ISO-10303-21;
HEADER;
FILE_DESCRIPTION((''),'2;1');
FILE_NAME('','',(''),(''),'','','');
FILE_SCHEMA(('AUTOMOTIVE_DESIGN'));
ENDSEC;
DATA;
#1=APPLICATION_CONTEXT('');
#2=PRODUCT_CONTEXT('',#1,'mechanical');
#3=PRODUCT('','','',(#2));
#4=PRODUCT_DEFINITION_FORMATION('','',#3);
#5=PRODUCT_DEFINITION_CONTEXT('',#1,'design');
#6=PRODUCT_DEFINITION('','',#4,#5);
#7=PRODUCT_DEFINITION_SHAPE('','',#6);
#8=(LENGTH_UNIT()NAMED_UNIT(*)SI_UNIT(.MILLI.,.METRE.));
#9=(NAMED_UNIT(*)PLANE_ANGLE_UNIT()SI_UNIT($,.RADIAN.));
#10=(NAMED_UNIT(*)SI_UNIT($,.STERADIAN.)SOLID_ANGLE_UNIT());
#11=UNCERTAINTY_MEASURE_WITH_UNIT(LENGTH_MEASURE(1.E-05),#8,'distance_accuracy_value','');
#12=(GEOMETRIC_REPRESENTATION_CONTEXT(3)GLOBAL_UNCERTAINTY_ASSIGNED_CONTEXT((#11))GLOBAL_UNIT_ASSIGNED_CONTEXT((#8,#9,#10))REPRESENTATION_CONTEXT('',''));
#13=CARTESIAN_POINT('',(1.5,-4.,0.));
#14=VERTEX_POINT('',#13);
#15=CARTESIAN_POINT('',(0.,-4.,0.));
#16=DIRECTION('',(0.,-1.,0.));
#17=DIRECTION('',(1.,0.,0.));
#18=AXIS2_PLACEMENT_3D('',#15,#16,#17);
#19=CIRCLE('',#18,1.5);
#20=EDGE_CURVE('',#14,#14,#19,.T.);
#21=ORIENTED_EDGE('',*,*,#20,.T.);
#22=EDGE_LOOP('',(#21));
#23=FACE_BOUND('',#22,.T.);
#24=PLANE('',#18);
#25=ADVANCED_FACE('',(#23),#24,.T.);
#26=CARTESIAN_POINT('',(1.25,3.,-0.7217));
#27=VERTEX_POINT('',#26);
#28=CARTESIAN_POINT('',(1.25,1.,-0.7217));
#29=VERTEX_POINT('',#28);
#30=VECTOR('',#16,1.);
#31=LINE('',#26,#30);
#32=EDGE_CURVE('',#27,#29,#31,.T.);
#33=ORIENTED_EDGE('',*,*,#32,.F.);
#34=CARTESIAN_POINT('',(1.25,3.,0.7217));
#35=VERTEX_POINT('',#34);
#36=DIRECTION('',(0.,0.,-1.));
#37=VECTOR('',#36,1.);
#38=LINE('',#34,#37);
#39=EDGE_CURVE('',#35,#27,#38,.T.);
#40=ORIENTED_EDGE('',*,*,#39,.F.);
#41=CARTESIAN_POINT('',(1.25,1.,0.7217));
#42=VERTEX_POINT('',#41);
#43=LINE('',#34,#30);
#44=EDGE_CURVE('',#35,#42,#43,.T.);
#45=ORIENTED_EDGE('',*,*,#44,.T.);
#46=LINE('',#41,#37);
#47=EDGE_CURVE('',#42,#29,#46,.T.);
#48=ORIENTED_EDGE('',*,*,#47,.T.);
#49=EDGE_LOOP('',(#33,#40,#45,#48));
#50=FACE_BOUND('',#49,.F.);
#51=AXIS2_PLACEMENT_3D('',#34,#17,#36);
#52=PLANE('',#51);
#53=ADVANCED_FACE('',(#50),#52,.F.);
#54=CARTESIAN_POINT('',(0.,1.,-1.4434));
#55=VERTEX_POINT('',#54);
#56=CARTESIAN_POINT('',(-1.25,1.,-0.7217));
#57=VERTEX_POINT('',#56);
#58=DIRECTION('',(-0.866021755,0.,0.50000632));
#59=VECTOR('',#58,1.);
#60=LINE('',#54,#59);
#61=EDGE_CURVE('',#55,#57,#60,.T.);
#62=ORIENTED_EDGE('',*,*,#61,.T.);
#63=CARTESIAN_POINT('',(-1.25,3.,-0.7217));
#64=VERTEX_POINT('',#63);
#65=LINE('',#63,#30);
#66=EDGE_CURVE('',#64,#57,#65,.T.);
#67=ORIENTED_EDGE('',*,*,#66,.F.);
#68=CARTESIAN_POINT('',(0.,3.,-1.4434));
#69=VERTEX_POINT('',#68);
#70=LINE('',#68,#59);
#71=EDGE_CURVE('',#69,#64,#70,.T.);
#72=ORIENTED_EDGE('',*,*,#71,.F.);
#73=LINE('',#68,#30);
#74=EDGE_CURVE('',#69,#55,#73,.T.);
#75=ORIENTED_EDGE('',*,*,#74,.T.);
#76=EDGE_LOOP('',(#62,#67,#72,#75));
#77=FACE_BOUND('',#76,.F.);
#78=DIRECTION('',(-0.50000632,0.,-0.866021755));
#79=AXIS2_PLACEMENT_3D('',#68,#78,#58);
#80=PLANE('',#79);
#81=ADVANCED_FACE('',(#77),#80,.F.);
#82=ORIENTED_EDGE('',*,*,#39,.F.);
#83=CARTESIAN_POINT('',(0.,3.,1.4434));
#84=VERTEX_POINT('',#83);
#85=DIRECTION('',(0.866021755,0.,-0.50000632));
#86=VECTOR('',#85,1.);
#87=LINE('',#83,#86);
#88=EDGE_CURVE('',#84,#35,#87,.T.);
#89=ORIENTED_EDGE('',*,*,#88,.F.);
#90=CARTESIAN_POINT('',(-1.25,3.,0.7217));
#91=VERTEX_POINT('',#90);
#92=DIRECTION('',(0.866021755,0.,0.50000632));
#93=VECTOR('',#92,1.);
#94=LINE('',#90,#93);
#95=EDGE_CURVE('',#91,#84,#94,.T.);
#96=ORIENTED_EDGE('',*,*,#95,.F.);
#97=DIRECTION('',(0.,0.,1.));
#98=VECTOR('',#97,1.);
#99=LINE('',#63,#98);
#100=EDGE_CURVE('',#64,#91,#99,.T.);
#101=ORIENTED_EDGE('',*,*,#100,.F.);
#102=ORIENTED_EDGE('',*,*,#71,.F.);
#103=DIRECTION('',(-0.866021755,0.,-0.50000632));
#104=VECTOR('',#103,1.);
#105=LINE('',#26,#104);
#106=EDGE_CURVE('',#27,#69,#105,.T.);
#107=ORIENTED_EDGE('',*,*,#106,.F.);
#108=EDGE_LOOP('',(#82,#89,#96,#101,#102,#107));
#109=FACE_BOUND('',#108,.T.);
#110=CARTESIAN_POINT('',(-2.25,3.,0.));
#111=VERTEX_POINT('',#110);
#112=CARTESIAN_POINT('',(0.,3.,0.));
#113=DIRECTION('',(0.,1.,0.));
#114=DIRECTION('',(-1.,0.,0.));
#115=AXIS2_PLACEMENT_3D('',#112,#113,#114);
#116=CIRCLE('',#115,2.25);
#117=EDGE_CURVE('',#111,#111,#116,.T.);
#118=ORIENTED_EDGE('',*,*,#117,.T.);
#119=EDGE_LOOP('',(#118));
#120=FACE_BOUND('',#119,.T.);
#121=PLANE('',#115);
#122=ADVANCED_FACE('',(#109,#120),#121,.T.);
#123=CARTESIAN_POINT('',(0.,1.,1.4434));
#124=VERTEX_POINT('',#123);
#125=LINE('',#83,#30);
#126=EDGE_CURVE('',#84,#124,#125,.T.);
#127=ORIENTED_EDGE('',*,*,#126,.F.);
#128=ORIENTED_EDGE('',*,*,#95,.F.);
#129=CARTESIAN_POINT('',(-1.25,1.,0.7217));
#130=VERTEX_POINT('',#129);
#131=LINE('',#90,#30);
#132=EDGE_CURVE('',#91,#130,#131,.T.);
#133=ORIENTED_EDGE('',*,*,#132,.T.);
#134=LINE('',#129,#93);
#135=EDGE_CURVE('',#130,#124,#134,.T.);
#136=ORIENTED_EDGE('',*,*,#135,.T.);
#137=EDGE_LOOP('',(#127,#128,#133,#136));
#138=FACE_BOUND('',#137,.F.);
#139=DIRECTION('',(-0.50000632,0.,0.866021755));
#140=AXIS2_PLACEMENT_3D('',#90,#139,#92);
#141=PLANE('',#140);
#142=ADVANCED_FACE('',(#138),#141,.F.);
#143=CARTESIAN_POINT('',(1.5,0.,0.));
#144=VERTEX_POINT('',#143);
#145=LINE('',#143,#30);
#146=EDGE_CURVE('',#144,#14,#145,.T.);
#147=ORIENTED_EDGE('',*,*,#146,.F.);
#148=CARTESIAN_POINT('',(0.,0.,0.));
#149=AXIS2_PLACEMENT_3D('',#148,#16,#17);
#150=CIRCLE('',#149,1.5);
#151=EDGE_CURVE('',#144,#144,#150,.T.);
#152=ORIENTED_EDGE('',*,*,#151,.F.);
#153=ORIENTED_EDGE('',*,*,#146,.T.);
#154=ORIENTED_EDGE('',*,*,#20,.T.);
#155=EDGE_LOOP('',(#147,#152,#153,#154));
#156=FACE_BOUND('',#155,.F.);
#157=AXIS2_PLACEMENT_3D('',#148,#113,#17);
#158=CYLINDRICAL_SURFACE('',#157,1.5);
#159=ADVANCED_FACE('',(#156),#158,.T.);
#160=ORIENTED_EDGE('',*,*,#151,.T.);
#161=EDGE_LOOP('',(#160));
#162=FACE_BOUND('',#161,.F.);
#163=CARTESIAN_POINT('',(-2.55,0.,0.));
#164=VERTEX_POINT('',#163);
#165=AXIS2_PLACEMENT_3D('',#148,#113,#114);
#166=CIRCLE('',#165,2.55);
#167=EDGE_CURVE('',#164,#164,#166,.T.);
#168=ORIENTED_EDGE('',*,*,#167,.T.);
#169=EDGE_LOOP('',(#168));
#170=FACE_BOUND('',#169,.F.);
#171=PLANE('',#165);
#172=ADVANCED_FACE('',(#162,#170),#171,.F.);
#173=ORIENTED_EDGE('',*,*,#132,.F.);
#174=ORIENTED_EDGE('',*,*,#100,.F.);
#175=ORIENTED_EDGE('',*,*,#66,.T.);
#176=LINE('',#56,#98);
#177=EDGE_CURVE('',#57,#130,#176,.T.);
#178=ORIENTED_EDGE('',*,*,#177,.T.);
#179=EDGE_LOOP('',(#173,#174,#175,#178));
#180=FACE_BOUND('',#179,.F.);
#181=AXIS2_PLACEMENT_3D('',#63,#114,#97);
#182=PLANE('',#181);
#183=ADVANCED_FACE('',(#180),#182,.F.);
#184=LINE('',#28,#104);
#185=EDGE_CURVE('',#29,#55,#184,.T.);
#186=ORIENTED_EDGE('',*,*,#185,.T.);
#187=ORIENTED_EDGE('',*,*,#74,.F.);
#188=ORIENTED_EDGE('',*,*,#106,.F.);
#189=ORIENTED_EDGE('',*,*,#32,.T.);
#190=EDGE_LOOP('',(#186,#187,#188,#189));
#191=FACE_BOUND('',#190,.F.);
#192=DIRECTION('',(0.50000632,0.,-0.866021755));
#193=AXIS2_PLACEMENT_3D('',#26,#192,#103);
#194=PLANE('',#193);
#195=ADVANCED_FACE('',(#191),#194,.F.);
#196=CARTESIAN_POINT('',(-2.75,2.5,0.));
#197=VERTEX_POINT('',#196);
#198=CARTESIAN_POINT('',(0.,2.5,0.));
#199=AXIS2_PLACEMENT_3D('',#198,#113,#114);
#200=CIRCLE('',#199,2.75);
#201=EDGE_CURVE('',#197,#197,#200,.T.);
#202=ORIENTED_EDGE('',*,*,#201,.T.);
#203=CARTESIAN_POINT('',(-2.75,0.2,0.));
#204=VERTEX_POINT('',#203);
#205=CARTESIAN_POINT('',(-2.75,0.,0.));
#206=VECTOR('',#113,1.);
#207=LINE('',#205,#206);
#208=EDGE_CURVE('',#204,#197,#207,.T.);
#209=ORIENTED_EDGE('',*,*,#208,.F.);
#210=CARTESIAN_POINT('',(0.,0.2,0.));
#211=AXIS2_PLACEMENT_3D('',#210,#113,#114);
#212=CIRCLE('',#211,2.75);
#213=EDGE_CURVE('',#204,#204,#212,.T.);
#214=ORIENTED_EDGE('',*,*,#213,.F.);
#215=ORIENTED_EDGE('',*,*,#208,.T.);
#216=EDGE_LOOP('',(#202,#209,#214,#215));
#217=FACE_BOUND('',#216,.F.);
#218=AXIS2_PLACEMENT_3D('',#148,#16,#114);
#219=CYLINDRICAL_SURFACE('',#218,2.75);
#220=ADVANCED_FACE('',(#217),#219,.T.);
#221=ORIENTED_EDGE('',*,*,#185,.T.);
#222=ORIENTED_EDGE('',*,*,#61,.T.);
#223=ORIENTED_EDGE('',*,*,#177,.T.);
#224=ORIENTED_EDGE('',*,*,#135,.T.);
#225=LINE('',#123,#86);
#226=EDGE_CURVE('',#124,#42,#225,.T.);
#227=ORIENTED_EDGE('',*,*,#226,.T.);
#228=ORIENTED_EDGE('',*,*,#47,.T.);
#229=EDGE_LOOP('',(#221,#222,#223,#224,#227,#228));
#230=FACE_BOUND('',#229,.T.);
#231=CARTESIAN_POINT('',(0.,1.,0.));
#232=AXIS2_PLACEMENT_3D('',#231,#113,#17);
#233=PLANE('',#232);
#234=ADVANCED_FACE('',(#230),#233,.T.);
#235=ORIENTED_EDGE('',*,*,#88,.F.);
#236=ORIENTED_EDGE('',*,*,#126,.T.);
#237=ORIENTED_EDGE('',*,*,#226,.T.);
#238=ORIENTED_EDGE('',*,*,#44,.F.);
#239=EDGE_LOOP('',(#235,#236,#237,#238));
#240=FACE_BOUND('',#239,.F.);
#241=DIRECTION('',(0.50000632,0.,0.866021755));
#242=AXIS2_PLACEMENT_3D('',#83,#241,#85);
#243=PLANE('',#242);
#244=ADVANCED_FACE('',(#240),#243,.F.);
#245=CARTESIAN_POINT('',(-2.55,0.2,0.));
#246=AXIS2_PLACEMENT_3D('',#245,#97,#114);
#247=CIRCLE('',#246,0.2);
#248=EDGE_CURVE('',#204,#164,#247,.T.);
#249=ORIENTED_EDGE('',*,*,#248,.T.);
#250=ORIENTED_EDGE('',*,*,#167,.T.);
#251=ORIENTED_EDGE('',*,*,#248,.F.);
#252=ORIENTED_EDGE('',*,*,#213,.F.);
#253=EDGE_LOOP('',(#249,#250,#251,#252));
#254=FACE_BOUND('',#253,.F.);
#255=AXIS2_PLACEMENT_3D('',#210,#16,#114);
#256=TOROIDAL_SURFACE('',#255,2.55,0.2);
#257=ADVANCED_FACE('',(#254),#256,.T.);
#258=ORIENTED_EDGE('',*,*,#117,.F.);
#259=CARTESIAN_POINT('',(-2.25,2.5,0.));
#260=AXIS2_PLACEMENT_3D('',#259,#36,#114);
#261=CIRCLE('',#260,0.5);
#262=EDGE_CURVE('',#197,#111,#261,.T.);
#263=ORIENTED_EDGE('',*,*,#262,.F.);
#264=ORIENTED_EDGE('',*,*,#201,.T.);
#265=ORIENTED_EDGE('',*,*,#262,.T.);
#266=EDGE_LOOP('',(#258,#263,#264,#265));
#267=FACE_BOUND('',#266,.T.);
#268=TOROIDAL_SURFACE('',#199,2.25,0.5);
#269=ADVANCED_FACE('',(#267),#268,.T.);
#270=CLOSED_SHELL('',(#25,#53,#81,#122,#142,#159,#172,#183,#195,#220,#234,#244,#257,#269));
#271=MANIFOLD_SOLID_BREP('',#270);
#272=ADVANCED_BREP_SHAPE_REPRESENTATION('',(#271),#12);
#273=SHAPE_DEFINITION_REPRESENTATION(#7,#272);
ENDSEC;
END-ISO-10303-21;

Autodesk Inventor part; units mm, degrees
ref_plane "YZ Plane" through (0, 0, 0) normal (1, 0, 0) x (0, 1, 0)
ref_plane "XZ Plane" through (0, 0, 0) normal (0, 1, 0) x (-1, 0, 0)
ref_plane "XY Plane" through (0, 0, 0) normal (0, 0, 1) x (1, 0, 0)
sketch "スケッチ1" plane through (0, 0, 0) normal (0, 1, 0) x (-1, 0, 0)
  circle A0 centre (0, 0) radius 2.75
  dimension "d0" = 5.5
extrude "押し出し1" add sketch "スケッチ1" along normal blind 3
sketch "スケッチ2" plane through (0, 0, 0) normal (0, -1, 0) x (1, 0, 0)
  circle A0 centre (0, 0) radius 1.5
  dimension "d3" = 3
extrude "押し出し2" add sketch "スケッチ2" along normal blind 4
fillet "フィレット1" radius 0.5 1 edges at (2.75, 3, 0)
fillet "フィレット1" radius 0.2 1 edges at (2.75, 0, 0)
sketch "スケッチ3" plane through (0, 3, 0) normal (0, 1, 0) x (1, 0, 0)
  line L0 (0, 1.4434) -> (-1.25, 0.7217)
  line L1 (-1.25, 0.7217) -> (-1.25, -0.7217)
  line L2 (-1.25, -0.7217) -> (0, -1.4434)
  line L3 (0, -1.4434) -> (1.25, -0.7217)
  line L4 (1.25, -0.7217) -> (1.25, 0.7217)
  line L5 (1.25, 0.7217) -> (0, 1.4434)
  line L6 (0, 1.4434) -> (0, -1.4434) construction
  circle A0 centre (0, 0) radius 1.4434 construction
  dimension "d12" = 2.5
extrude "押し出し3" cut sketch "スケッチ3" against normal blind 2
thread "ねじ1" size "M3x0.5" class "6g" standard "ANSI Metric M Profile" full length
properties part number "M3-CapScrew"
